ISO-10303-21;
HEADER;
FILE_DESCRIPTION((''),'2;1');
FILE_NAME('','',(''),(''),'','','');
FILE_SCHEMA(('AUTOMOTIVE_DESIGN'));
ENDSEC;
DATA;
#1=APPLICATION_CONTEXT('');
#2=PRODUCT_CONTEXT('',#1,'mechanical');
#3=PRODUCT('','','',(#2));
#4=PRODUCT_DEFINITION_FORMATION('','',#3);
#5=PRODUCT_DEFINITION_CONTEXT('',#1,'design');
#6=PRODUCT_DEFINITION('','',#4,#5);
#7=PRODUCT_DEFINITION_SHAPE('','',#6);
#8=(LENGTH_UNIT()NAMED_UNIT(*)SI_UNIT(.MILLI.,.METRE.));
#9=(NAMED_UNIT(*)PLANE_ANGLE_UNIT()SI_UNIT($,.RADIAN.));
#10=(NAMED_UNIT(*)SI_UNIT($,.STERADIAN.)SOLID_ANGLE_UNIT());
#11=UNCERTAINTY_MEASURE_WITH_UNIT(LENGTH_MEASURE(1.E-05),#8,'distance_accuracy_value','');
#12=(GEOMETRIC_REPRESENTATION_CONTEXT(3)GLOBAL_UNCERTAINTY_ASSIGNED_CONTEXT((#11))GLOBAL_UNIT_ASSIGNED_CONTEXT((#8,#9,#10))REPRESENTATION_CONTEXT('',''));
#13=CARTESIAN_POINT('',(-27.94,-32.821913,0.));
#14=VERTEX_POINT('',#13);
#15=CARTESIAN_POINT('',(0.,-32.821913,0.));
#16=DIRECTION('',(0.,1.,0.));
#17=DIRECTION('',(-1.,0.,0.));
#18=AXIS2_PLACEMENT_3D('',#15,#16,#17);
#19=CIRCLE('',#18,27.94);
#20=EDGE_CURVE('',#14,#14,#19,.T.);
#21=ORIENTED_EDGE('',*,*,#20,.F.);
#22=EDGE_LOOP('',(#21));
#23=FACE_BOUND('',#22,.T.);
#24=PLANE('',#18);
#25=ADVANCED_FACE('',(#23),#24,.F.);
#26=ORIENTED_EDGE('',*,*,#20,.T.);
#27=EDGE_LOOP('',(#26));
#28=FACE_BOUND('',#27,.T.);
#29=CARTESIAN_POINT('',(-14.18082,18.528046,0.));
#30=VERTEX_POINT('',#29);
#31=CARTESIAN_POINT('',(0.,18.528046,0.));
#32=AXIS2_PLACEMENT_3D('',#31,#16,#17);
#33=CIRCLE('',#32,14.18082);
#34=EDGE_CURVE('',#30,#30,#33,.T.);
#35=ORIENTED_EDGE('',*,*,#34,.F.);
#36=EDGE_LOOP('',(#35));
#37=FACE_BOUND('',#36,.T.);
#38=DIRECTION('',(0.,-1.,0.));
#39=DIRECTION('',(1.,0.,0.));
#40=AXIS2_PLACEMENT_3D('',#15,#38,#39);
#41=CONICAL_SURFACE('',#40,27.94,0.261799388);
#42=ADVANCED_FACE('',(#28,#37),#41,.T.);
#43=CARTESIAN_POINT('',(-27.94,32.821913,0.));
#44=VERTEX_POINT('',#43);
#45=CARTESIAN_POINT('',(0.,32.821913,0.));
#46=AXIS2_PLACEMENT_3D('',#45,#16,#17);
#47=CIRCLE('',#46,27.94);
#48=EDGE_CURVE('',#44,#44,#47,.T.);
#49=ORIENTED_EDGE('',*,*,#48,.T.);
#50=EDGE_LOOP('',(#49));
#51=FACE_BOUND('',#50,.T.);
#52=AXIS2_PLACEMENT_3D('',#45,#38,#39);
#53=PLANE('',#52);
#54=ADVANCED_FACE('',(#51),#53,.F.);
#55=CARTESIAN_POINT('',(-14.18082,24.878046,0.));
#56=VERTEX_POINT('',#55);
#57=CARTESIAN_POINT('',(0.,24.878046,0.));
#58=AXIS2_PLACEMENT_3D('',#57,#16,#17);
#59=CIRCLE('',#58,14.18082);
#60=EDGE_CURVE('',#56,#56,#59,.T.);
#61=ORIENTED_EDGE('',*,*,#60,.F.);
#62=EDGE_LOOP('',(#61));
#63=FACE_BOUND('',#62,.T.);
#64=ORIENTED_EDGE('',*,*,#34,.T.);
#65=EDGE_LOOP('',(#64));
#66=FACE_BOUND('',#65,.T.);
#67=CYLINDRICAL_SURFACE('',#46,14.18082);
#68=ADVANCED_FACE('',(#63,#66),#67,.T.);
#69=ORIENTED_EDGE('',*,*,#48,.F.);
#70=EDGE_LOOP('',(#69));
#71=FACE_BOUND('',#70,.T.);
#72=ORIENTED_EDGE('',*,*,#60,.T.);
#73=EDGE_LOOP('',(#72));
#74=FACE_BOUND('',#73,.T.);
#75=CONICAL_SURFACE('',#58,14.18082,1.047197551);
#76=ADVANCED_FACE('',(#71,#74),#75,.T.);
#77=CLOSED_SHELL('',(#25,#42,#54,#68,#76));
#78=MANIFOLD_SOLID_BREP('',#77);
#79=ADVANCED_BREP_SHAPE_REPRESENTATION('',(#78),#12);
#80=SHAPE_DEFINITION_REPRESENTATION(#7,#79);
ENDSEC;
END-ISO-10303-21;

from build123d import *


with BuildPart() as part:
    # Sketch1 → Revolve1 (revolve)
    with BuildSketch(Plane.XY, mode=Mode.PRIVATE) as revolve1_sk:
        Polygon((0, 32.821912554), (0, -32.821912554), (27.94, -32.821912554), (14.18082, 18.528046277), (14.18082, 24.878046277), (27.94, 32.821912554), align=None)
    revolve(revolve1_sk.sketch.rotate(Axis((0, 32.821912554, 0), (0, -1, 0)), 180), axis=Axis((0, 32.821912554, 0), (0, -1, 0)))


solid = part.part
